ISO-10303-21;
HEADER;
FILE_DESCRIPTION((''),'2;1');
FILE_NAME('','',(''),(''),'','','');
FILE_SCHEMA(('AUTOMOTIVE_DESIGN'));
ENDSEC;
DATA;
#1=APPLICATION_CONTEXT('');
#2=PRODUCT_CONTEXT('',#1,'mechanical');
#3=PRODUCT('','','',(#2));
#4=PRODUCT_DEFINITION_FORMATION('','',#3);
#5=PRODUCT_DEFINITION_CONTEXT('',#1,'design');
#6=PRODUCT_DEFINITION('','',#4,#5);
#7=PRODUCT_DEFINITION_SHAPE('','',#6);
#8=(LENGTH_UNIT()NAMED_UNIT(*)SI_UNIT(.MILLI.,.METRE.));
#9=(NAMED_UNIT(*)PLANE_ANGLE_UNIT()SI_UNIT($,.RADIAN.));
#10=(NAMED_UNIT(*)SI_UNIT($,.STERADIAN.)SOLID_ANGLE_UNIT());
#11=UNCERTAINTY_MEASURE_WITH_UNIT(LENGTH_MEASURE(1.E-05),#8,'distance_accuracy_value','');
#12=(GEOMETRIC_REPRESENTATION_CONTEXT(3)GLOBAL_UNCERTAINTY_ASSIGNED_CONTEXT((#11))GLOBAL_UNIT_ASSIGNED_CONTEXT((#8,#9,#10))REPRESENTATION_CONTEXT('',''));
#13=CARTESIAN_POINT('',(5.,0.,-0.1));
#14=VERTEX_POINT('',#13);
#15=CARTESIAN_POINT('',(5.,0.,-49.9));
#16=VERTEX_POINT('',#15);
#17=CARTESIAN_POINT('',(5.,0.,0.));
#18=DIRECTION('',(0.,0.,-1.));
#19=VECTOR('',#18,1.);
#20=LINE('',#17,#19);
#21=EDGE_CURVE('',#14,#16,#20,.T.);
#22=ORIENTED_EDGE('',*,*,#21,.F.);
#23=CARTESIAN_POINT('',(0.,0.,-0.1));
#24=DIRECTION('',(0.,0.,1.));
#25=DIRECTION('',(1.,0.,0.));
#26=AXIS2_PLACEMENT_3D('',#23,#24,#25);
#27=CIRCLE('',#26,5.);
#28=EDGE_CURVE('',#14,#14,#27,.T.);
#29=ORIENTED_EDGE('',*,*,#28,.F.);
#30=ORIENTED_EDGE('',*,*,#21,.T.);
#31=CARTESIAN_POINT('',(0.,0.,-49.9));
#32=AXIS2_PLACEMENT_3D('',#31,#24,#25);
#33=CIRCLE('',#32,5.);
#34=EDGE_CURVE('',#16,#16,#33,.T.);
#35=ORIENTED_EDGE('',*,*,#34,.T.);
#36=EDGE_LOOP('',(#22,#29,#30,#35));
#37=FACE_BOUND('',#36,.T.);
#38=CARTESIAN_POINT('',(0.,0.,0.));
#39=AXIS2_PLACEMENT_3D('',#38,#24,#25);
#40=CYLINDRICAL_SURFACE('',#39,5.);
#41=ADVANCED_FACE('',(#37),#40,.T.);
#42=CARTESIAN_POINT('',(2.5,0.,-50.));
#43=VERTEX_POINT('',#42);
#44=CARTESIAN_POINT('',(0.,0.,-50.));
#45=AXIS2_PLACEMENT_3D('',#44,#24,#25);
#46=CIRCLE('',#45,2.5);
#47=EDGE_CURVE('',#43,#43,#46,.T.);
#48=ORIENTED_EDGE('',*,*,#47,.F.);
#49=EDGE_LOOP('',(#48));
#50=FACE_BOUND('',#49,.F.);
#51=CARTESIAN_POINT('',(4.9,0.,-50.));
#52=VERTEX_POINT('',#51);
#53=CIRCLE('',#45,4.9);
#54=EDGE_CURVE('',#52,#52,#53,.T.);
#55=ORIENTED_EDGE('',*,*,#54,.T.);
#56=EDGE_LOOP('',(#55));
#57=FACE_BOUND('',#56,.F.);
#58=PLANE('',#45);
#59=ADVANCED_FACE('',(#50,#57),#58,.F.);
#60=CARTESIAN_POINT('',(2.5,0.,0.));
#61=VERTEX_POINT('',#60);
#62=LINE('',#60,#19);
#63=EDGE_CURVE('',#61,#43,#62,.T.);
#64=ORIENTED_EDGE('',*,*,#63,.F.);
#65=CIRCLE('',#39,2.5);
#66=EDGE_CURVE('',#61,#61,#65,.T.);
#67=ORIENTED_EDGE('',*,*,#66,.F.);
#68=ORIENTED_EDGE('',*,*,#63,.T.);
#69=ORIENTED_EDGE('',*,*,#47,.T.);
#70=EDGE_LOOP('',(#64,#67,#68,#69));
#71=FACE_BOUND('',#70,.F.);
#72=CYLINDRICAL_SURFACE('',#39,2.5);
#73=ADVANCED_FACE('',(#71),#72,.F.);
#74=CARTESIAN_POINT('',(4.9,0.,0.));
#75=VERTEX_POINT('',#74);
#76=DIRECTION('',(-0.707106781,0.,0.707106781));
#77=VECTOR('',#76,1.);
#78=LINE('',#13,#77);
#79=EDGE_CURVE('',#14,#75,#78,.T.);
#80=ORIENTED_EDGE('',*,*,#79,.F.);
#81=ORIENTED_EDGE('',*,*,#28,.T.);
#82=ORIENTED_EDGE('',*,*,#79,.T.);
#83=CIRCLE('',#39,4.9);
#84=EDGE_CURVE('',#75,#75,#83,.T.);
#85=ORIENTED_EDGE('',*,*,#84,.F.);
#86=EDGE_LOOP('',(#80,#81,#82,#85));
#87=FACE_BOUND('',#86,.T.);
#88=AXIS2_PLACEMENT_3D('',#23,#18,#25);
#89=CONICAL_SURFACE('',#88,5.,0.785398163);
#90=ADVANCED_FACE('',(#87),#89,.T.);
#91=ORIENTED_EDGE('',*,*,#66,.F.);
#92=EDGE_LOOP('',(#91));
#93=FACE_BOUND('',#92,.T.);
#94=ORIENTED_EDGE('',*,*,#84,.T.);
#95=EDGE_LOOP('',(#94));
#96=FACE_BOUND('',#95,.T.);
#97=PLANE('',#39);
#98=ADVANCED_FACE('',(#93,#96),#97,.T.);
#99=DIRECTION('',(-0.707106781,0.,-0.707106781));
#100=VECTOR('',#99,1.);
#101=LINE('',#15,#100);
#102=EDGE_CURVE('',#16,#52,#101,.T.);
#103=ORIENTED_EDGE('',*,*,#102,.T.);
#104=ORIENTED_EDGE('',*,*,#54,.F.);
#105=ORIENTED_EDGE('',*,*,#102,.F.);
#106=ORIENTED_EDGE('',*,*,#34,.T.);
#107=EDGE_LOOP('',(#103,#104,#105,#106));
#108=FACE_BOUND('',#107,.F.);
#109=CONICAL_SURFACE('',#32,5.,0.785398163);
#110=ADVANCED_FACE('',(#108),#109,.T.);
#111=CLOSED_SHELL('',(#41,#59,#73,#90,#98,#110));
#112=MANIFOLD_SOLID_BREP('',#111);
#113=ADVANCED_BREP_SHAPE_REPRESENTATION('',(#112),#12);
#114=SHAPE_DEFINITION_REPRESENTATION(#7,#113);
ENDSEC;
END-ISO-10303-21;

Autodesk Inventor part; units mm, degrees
ref_plane "YZ Plane" through (0, 0, 0) normal (1, 0, 0) x (0, 1, 0)
ref_plane "XZ Plane" through (0, 0, 0) normal (0, 1, 0) x (-1, 0, 0)
ref_plane "XY Plane" through (0, 0, 0) normal (0, 0, 1) x (1, 0, 0)
sketch "Sketch1" plane through (0, 0, 0) normal (0, 0, 1) x (1, 0, 0)
  circle A0 centre (0, 0) radius 5
  circle A1 centre (0, 0) radius 2.5
  dimension "d0" = 10
  dimension "d1" = 5
extrude "Extrusion1" add sketch "Sketch1" against normal blind 50
chamfer "Chamfer1" distance 0.1 angle 45 2 edges at (-5, 0, 0) (-5, 0, -50)
properties part number "34 - Base Pillar" material "Steel AISI 1020 107 HR"
